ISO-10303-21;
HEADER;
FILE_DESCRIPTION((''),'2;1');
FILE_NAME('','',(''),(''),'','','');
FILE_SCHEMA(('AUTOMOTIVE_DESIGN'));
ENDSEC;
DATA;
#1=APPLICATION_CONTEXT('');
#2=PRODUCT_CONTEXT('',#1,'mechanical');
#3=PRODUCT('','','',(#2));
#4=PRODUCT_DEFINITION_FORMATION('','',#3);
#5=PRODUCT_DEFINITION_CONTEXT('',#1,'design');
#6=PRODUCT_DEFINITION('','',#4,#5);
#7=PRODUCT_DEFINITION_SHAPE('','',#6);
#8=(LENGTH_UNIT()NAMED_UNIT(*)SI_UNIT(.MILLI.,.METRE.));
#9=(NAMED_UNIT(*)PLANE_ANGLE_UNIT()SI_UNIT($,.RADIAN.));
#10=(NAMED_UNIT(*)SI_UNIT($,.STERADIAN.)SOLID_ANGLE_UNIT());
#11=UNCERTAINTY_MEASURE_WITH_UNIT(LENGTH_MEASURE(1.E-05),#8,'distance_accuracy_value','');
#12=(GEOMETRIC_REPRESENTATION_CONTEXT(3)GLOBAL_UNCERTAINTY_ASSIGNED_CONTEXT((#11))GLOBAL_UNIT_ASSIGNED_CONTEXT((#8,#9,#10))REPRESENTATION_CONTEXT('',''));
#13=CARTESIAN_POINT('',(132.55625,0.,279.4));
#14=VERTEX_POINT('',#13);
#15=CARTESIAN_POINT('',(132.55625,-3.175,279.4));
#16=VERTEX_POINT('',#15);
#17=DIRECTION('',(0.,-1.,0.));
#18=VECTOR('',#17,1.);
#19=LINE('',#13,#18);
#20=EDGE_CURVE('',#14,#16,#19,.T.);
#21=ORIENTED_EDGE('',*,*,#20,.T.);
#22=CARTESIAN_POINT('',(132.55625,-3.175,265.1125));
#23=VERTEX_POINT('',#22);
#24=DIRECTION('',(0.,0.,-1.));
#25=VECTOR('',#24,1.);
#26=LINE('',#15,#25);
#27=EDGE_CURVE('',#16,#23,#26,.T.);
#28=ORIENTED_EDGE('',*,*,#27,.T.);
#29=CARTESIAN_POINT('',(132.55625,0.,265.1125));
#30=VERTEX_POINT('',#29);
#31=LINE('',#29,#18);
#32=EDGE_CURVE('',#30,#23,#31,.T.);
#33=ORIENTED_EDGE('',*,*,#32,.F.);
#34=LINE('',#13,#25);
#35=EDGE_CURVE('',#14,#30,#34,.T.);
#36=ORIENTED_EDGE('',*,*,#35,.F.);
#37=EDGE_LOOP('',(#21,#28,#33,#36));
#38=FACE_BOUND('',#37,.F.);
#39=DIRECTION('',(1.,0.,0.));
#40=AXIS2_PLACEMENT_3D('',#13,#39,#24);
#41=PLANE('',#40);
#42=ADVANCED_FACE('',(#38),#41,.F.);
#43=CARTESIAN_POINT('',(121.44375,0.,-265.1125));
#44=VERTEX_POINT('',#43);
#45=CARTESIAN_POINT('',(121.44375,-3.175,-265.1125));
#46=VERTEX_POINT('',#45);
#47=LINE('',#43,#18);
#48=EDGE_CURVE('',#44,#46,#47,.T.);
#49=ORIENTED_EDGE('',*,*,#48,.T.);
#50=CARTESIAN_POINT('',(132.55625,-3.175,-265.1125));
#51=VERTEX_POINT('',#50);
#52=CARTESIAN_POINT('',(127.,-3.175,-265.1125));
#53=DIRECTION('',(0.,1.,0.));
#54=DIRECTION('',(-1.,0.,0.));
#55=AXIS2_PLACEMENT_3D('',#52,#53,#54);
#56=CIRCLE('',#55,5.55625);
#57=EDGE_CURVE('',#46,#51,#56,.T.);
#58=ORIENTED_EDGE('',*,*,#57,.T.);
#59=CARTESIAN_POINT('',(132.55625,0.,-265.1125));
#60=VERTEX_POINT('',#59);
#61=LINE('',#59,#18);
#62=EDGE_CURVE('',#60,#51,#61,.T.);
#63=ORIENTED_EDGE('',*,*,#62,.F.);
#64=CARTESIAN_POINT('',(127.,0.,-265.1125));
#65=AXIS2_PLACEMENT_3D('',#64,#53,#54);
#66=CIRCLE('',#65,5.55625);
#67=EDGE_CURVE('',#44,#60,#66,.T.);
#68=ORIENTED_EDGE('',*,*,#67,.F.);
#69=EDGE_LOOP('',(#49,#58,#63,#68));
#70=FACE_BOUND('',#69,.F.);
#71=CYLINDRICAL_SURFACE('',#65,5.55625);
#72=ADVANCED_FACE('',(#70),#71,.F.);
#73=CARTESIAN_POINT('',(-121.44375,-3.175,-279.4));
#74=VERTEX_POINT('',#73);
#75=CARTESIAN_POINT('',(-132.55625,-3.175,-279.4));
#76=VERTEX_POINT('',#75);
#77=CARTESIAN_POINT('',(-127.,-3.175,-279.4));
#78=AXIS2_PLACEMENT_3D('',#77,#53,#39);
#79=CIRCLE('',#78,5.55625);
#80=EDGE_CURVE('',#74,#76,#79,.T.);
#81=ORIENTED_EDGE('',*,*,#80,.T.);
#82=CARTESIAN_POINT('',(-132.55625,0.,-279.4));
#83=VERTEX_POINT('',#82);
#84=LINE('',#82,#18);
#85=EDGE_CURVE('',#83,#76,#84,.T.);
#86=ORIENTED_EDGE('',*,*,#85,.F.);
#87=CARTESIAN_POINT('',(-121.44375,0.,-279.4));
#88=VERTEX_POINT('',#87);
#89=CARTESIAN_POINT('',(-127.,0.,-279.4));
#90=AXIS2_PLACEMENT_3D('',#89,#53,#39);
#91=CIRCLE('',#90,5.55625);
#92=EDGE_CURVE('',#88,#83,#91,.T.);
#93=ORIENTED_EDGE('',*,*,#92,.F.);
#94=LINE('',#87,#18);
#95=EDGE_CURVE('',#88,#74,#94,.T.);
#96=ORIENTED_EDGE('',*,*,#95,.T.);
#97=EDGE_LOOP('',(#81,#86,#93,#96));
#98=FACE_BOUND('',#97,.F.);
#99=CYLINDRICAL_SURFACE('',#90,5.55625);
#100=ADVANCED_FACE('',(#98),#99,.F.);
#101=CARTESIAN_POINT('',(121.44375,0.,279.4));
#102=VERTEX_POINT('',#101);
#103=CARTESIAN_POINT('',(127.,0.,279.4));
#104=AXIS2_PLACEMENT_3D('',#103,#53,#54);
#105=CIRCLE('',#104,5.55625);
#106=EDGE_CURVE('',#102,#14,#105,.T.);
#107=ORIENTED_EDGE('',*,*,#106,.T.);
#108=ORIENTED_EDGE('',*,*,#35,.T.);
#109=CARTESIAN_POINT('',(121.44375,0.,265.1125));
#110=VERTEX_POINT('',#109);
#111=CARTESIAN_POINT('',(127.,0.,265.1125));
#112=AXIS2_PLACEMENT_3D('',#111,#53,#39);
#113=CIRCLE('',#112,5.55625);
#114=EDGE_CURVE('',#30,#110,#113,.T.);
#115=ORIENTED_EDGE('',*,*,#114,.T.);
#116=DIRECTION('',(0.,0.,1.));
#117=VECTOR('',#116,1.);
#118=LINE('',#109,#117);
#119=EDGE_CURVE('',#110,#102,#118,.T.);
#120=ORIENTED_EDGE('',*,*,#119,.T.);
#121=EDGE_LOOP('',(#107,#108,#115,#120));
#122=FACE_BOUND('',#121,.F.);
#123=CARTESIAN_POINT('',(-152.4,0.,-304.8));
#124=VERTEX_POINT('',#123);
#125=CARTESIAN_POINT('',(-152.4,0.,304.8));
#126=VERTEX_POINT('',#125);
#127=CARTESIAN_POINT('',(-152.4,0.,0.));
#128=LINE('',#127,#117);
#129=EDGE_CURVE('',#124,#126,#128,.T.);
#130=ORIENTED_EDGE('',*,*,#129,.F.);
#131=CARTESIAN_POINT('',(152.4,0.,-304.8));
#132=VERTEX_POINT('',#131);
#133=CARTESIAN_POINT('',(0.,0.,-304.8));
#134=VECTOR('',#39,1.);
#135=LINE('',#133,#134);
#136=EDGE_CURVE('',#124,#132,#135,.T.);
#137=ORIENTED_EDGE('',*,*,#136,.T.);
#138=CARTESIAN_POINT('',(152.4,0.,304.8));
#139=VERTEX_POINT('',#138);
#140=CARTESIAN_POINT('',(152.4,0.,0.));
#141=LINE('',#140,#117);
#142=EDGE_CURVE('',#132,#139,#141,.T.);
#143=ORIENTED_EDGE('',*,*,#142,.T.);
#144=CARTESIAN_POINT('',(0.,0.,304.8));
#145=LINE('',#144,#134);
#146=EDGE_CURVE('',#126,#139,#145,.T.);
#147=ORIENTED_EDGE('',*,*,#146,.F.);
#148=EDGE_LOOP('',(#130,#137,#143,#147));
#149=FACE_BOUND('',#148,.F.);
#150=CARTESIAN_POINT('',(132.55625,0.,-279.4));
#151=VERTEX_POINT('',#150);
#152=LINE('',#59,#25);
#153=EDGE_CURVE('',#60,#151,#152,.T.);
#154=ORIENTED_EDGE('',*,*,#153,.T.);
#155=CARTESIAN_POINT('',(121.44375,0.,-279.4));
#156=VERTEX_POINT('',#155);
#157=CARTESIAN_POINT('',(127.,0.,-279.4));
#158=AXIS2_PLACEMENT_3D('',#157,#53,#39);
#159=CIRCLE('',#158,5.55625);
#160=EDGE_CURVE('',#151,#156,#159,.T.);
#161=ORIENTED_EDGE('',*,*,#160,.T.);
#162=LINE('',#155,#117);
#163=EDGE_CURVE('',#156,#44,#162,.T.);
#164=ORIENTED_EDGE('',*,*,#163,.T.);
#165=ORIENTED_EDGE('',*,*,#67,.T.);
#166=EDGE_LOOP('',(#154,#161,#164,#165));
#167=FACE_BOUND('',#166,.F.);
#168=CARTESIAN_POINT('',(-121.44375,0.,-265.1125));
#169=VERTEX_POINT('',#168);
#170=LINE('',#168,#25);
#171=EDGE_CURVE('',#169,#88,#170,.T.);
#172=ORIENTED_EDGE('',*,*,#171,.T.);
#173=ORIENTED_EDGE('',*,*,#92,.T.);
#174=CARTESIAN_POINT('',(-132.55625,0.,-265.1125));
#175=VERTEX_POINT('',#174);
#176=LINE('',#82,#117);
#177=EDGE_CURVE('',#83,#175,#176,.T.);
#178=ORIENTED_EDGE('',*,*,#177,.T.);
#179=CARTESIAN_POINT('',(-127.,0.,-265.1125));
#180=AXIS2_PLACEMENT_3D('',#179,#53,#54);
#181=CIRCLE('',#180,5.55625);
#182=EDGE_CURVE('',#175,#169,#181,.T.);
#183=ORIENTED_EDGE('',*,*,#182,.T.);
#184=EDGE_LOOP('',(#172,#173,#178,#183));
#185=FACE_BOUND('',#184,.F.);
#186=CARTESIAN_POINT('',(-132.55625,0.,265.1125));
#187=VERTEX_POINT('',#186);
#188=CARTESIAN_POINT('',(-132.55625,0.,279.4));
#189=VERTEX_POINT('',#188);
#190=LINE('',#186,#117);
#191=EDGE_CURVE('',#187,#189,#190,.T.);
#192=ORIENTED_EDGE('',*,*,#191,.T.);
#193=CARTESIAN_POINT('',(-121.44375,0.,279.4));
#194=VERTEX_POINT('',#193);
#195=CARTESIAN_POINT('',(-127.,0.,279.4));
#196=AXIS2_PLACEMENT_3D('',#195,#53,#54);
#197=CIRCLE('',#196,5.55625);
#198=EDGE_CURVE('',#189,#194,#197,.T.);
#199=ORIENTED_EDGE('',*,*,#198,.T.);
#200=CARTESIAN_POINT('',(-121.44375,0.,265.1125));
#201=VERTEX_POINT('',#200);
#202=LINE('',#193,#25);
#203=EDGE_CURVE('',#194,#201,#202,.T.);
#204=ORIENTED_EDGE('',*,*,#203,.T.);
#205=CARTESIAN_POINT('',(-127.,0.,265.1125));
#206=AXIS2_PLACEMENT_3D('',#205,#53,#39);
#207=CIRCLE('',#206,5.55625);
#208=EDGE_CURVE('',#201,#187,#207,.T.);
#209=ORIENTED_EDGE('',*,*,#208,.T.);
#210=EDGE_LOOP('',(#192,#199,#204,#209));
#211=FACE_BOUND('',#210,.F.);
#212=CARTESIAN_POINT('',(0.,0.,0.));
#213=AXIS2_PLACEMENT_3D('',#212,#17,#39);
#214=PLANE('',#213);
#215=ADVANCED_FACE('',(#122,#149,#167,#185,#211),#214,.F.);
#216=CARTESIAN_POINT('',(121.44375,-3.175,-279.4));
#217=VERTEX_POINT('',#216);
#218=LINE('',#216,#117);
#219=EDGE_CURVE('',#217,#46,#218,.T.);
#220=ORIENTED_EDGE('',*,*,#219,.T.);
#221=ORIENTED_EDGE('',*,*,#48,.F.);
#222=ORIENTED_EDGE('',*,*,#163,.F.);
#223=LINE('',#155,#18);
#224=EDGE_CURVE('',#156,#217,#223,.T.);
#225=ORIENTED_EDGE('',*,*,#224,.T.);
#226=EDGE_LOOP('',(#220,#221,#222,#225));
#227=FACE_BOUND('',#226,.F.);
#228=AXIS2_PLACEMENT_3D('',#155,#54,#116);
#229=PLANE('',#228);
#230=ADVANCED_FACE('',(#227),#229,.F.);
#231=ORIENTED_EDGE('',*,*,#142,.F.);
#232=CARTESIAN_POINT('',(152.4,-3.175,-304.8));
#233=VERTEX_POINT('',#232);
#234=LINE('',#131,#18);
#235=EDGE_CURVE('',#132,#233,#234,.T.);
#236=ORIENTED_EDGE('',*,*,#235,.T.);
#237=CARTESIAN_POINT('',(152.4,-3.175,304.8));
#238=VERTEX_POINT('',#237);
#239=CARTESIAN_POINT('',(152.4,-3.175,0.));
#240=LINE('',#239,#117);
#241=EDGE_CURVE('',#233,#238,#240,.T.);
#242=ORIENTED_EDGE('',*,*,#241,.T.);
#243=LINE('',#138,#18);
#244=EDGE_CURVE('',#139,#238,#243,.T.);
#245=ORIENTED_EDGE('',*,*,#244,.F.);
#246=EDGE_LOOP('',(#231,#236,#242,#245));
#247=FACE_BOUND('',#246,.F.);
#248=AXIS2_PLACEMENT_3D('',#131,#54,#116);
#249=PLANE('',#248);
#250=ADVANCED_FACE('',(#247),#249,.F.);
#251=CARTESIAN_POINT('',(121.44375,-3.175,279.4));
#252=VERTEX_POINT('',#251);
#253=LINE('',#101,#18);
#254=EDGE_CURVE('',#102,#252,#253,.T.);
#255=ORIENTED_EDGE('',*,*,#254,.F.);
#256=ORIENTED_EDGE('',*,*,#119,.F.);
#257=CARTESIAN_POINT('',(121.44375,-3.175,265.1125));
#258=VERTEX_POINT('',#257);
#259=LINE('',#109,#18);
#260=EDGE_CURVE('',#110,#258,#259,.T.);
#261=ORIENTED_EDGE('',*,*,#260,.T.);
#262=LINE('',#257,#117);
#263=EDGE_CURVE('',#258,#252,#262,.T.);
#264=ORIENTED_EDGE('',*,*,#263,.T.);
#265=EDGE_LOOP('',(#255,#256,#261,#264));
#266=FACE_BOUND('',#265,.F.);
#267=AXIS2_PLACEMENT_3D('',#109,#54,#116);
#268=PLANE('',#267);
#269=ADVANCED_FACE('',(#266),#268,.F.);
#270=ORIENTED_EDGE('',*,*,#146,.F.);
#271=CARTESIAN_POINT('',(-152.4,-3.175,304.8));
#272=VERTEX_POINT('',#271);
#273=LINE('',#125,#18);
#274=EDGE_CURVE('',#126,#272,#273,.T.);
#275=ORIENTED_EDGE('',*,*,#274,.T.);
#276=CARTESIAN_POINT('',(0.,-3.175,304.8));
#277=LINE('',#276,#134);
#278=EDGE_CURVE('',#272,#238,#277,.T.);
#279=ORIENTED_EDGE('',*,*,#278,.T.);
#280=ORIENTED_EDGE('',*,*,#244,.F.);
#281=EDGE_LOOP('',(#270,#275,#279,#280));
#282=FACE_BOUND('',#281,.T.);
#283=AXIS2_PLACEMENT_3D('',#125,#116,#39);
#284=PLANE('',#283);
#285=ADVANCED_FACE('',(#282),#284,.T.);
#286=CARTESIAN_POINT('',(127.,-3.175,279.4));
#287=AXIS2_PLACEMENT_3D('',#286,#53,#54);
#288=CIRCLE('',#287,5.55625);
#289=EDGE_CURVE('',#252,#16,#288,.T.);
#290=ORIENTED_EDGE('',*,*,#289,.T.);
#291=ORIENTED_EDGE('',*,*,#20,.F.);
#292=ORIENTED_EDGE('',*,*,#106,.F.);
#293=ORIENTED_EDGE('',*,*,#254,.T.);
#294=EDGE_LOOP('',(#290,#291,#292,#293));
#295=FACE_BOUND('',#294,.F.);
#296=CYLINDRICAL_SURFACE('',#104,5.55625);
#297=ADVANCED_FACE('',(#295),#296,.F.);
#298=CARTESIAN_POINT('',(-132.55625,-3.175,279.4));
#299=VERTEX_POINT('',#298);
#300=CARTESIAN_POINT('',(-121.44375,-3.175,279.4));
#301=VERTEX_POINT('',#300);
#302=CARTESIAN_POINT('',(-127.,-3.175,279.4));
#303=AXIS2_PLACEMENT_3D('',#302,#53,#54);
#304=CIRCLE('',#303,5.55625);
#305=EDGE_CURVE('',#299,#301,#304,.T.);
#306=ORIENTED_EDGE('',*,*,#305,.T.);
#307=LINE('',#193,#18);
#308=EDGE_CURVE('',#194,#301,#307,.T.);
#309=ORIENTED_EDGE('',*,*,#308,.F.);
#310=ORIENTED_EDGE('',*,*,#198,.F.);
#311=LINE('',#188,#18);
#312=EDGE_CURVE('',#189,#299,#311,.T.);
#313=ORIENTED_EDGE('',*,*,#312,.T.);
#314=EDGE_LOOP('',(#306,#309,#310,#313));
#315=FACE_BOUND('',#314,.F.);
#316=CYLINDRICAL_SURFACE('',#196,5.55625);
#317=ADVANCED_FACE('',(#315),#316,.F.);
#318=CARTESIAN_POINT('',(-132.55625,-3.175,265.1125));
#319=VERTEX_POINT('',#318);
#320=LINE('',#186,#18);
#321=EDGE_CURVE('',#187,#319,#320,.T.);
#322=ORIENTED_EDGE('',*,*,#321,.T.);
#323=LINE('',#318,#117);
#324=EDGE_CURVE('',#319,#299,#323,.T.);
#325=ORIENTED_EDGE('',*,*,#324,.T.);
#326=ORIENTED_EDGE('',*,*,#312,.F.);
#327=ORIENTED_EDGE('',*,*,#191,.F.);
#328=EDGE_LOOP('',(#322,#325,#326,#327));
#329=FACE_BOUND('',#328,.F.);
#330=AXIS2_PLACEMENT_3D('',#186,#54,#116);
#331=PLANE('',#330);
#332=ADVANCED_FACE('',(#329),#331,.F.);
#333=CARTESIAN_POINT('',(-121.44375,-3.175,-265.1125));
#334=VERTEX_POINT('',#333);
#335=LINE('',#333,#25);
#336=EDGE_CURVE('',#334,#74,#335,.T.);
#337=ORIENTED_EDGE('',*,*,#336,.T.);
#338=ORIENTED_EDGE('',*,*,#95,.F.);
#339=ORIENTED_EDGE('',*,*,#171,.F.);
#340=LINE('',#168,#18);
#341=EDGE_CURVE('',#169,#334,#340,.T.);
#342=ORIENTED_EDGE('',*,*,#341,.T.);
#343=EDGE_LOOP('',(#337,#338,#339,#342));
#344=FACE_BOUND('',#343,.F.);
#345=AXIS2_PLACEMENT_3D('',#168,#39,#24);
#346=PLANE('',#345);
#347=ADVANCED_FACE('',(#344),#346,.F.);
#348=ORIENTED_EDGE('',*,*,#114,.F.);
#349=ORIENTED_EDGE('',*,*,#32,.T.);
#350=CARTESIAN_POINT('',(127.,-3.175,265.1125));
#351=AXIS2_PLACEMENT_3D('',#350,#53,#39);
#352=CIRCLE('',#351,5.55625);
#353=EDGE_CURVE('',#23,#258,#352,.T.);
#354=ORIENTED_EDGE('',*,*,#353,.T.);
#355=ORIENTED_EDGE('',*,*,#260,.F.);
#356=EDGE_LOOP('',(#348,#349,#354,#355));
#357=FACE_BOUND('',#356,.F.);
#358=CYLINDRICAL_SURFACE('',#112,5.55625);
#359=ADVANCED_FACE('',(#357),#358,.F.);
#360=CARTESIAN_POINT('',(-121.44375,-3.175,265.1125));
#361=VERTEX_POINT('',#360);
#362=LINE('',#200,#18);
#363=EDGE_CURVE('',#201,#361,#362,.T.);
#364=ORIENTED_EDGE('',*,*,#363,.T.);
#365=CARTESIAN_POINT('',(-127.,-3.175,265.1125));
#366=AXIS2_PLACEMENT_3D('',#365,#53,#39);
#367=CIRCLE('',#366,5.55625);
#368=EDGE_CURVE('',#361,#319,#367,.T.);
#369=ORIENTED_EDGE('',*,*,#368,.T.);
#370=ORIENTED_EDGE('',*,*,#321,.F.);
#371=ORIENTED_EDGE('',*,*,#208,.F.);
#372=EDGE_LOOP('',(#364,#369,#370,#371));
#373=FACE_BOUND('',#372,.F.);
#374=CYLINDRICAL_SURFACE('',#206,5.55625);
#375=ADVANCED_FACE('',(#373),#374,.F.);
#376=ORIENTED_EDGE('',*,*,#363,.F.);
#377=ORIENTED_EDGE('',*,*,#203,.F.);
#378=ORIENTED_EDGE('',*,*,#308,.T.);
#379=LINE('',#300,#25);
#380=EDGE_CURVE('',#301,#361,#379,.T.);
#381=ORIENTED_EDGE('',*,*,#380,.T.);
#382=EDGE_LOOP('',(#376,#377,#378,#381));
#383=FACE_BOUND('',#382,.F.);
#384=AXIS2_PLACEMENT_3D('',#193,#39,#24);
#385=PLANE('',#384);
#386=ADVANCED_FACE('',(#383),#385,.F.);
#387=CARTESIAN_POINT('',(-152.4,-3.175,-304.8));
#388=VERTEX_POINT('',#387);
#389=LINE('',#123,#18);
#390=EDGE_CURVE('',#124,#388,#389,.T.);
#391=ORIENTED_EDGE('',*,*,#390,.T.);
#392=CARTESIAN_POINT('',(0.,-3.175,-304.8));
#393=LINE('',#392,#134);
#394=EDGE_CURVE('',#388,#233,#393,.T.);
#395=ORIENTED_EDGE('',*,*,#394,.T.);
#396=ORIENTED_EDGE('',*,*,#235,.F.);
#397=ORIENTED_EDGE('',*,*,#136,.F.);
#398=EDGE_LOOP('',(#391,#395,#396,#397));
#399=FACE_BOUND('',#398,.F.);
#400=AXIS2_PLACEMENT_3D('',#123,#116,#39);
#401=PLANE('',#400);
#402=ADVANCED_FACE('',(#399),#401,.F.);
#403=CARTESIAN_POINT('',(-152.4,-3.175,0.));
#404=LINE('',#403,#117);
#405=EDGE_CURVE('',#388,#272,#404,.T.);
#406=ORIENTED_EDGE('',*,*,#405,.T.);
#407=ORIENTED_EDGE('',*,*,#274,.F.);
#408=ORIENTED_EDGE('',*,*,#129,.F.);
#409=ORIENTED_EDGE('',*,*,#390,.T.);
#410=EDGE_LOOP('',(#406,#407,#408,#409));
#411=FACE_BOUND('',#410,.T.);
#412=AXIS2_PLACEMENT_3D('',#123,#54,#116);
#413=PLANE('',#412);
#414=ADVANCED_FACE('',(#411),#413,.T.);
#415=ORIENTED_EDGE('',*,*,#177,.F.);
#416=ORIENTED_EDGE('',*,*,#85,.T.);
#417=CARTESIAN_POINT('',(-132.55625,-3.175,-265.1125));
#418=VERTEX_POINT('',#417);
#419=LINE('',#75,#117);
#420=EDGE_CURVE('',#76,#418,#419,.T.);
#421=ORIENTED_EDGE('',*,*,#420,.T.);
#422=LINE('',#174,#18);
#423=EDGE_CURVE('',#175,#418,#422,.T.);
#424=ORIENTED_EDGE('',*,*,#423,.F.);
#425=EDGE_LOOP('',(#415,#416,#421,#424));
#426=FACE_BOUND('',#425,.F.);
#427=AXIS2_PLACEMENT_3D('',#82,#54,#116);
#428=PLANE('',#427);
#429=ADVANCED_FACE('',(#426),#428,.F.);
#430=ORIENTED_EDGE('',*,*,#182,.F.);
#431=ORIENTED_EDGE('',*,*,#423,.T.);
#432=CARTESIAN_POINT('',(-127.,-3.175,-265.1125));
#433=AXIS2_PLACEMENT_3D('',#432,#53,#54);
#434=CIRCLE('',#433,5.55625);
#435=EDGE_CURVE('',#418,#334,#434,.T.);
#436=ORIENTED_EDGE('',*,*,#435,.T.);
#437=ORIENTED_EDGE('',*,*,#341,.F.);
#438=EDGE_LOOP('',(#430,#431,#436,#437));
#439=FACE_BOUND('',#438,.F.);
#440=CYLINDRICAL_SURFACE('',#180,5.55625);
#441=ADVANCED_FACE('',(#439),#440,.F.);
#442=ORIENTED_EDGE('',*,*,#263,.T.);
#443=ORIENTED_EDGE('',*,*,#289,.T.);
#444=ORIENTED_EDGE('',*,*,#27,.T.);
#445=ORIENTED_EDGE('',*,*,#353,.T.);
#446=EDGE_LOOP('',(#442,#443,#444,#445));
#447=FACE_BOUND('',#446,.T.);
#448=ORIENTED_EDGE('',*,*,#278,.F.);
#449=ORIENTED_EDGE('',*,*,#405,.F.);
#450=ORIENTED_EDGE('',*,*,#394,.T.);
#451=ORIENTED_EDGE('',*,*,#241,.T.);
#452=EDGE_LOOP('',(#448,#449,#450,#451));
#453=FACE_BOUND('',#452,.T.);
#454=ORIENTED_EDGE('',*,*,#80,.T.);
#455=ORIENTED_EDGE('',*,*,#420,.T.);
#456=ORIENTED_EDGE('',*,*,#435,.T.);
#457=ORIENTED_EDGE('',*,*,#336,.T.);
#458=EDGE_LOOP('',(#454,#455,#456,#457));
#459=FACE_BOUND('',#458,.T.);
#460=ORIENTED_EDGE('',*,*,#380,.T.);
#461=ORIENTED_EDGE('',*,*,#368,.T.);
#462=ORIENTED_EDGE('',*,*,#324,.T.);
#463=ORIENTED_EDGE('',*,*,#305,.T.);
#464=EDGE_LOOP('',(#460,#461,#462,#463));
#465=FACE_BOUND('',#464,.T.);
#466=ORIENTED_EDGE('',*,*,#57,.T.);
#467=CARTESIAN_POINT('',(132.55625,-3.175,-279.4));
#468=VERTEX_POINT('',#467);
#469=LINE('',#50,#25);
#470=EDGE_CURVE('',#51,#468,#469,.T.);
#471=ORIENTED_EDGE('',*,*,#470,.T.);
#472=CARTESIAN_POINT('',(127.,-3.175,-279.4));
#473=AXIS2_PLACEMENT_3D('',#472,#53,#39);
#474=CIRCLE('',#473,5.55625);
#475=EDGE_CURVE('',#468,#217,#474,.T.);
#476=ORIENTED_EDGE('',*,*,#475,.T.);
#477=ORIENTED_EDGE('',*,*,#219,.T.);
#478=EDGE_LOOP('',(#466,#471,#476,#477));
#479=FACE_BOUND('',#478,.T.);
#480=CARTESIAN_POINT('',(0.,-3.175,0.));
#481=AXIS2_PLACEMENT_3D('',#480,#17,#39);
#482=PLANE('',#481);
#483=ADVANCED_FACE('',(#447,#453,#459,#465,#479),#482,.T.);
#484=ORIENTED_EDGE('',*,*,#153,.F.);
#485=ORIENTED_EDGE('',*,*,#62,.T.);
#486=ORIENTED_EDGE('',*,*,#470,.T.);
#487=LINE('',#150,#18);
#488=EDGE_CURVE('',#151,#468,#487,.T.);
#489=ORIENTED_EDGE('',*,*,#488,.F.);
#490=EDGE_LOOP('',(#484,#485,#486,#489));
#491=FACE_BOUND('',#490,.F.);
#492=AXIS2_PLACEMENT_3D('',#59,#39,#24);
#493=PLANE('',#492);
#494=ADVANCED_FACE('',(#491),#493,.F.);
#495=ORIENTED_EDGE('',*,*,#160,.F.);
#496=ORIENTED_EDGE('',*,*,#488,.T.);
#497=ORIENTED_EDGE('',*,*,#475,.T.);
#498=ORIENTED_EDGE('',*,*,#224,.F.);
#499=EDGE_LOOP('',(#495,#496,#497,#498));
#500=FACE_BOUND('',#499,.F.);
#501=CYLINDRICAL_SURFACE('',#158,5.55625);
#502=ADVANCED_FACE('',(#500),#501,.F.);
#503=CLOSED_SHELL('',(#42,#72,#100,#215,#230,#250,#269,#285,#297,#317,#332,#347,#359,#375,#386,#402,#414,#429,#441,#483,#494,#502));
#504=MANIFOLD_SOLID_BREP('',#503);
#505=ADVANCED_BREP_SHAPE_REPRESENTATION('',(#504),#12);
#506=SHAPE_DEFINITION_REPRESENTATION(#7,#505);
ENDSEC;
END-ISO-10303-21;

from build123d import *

# Parameters (mm, degrees)
F0_W     = 304.8
F0_H     = 609.6
F1_DEPTH = 3.175


with BuildPart() as f1:
    # F0 (on Front) → F1 (new body)
    with BuildSketch(Plane.XZ):
        Rectangle(F0_W, F0_H)
        with BuildLine():
            ThreePointArc((-121.44375, -279.4), (-127, -284.95625), (-132.55625, -279.4))
            Line((-132.55625, -279.4), (-132.55625, -265.1125))
            ThreePointArc((-132.55625, -265.1125), (-127, -259.55625), (-121.44375, -265.1125))
            Line((-121.44375, -265.1125), (-121.44375, -279.4))
        make_face(mode=Mode.SUBTRACT)
        with BuildLine():
            ThreePointArc((132.55625, -279.4), (127, -284.95625), (121.44375, -279.4))
            Line((121.44375, -279.4), (121.44375, -265.1125))
            ThreePointArc((121.44375, -265.1125), (127, -259.55625), (132.55625, -265.1125))
            Line((132.55625, -265.1125), (132.55625, -279.4))
        make_face(mode=Mode.SUBTRACT)
        with BuildLine():
            ThreePointArc((-132.55625, 279.4), (-127, 284.95625), (-121.44375, 279.4))
            Line((-121.44375, 279.4), (-121.44375, 265.1125))
            ThreePointArc((-121.44375, 265.1125), (-127, 259.55625), (-132.55625, 265.1125))
            Line((-132.55625, 265.1125), (-132.55625, 279.4))
        make_face(mode=Mode.SUBTRACT)
        with BuildLine():
            ThreePointArc((121.44375, 279.4), (127, 284.95625), (132.55625, 279.4))
            Line((132.55625, 279.4), (132.55625, 265.1125))
            ThreePointArc((132.55625, 265.1125), (127, 259.55625), (121.44375, 265.1125))
            Line((121.44375, 265.1125), (121.44375, 279.4))
        make_face(mode=Mode.SUBTRACT)
    extrude(amount=F1_DEPTH)


solid = f1.part
